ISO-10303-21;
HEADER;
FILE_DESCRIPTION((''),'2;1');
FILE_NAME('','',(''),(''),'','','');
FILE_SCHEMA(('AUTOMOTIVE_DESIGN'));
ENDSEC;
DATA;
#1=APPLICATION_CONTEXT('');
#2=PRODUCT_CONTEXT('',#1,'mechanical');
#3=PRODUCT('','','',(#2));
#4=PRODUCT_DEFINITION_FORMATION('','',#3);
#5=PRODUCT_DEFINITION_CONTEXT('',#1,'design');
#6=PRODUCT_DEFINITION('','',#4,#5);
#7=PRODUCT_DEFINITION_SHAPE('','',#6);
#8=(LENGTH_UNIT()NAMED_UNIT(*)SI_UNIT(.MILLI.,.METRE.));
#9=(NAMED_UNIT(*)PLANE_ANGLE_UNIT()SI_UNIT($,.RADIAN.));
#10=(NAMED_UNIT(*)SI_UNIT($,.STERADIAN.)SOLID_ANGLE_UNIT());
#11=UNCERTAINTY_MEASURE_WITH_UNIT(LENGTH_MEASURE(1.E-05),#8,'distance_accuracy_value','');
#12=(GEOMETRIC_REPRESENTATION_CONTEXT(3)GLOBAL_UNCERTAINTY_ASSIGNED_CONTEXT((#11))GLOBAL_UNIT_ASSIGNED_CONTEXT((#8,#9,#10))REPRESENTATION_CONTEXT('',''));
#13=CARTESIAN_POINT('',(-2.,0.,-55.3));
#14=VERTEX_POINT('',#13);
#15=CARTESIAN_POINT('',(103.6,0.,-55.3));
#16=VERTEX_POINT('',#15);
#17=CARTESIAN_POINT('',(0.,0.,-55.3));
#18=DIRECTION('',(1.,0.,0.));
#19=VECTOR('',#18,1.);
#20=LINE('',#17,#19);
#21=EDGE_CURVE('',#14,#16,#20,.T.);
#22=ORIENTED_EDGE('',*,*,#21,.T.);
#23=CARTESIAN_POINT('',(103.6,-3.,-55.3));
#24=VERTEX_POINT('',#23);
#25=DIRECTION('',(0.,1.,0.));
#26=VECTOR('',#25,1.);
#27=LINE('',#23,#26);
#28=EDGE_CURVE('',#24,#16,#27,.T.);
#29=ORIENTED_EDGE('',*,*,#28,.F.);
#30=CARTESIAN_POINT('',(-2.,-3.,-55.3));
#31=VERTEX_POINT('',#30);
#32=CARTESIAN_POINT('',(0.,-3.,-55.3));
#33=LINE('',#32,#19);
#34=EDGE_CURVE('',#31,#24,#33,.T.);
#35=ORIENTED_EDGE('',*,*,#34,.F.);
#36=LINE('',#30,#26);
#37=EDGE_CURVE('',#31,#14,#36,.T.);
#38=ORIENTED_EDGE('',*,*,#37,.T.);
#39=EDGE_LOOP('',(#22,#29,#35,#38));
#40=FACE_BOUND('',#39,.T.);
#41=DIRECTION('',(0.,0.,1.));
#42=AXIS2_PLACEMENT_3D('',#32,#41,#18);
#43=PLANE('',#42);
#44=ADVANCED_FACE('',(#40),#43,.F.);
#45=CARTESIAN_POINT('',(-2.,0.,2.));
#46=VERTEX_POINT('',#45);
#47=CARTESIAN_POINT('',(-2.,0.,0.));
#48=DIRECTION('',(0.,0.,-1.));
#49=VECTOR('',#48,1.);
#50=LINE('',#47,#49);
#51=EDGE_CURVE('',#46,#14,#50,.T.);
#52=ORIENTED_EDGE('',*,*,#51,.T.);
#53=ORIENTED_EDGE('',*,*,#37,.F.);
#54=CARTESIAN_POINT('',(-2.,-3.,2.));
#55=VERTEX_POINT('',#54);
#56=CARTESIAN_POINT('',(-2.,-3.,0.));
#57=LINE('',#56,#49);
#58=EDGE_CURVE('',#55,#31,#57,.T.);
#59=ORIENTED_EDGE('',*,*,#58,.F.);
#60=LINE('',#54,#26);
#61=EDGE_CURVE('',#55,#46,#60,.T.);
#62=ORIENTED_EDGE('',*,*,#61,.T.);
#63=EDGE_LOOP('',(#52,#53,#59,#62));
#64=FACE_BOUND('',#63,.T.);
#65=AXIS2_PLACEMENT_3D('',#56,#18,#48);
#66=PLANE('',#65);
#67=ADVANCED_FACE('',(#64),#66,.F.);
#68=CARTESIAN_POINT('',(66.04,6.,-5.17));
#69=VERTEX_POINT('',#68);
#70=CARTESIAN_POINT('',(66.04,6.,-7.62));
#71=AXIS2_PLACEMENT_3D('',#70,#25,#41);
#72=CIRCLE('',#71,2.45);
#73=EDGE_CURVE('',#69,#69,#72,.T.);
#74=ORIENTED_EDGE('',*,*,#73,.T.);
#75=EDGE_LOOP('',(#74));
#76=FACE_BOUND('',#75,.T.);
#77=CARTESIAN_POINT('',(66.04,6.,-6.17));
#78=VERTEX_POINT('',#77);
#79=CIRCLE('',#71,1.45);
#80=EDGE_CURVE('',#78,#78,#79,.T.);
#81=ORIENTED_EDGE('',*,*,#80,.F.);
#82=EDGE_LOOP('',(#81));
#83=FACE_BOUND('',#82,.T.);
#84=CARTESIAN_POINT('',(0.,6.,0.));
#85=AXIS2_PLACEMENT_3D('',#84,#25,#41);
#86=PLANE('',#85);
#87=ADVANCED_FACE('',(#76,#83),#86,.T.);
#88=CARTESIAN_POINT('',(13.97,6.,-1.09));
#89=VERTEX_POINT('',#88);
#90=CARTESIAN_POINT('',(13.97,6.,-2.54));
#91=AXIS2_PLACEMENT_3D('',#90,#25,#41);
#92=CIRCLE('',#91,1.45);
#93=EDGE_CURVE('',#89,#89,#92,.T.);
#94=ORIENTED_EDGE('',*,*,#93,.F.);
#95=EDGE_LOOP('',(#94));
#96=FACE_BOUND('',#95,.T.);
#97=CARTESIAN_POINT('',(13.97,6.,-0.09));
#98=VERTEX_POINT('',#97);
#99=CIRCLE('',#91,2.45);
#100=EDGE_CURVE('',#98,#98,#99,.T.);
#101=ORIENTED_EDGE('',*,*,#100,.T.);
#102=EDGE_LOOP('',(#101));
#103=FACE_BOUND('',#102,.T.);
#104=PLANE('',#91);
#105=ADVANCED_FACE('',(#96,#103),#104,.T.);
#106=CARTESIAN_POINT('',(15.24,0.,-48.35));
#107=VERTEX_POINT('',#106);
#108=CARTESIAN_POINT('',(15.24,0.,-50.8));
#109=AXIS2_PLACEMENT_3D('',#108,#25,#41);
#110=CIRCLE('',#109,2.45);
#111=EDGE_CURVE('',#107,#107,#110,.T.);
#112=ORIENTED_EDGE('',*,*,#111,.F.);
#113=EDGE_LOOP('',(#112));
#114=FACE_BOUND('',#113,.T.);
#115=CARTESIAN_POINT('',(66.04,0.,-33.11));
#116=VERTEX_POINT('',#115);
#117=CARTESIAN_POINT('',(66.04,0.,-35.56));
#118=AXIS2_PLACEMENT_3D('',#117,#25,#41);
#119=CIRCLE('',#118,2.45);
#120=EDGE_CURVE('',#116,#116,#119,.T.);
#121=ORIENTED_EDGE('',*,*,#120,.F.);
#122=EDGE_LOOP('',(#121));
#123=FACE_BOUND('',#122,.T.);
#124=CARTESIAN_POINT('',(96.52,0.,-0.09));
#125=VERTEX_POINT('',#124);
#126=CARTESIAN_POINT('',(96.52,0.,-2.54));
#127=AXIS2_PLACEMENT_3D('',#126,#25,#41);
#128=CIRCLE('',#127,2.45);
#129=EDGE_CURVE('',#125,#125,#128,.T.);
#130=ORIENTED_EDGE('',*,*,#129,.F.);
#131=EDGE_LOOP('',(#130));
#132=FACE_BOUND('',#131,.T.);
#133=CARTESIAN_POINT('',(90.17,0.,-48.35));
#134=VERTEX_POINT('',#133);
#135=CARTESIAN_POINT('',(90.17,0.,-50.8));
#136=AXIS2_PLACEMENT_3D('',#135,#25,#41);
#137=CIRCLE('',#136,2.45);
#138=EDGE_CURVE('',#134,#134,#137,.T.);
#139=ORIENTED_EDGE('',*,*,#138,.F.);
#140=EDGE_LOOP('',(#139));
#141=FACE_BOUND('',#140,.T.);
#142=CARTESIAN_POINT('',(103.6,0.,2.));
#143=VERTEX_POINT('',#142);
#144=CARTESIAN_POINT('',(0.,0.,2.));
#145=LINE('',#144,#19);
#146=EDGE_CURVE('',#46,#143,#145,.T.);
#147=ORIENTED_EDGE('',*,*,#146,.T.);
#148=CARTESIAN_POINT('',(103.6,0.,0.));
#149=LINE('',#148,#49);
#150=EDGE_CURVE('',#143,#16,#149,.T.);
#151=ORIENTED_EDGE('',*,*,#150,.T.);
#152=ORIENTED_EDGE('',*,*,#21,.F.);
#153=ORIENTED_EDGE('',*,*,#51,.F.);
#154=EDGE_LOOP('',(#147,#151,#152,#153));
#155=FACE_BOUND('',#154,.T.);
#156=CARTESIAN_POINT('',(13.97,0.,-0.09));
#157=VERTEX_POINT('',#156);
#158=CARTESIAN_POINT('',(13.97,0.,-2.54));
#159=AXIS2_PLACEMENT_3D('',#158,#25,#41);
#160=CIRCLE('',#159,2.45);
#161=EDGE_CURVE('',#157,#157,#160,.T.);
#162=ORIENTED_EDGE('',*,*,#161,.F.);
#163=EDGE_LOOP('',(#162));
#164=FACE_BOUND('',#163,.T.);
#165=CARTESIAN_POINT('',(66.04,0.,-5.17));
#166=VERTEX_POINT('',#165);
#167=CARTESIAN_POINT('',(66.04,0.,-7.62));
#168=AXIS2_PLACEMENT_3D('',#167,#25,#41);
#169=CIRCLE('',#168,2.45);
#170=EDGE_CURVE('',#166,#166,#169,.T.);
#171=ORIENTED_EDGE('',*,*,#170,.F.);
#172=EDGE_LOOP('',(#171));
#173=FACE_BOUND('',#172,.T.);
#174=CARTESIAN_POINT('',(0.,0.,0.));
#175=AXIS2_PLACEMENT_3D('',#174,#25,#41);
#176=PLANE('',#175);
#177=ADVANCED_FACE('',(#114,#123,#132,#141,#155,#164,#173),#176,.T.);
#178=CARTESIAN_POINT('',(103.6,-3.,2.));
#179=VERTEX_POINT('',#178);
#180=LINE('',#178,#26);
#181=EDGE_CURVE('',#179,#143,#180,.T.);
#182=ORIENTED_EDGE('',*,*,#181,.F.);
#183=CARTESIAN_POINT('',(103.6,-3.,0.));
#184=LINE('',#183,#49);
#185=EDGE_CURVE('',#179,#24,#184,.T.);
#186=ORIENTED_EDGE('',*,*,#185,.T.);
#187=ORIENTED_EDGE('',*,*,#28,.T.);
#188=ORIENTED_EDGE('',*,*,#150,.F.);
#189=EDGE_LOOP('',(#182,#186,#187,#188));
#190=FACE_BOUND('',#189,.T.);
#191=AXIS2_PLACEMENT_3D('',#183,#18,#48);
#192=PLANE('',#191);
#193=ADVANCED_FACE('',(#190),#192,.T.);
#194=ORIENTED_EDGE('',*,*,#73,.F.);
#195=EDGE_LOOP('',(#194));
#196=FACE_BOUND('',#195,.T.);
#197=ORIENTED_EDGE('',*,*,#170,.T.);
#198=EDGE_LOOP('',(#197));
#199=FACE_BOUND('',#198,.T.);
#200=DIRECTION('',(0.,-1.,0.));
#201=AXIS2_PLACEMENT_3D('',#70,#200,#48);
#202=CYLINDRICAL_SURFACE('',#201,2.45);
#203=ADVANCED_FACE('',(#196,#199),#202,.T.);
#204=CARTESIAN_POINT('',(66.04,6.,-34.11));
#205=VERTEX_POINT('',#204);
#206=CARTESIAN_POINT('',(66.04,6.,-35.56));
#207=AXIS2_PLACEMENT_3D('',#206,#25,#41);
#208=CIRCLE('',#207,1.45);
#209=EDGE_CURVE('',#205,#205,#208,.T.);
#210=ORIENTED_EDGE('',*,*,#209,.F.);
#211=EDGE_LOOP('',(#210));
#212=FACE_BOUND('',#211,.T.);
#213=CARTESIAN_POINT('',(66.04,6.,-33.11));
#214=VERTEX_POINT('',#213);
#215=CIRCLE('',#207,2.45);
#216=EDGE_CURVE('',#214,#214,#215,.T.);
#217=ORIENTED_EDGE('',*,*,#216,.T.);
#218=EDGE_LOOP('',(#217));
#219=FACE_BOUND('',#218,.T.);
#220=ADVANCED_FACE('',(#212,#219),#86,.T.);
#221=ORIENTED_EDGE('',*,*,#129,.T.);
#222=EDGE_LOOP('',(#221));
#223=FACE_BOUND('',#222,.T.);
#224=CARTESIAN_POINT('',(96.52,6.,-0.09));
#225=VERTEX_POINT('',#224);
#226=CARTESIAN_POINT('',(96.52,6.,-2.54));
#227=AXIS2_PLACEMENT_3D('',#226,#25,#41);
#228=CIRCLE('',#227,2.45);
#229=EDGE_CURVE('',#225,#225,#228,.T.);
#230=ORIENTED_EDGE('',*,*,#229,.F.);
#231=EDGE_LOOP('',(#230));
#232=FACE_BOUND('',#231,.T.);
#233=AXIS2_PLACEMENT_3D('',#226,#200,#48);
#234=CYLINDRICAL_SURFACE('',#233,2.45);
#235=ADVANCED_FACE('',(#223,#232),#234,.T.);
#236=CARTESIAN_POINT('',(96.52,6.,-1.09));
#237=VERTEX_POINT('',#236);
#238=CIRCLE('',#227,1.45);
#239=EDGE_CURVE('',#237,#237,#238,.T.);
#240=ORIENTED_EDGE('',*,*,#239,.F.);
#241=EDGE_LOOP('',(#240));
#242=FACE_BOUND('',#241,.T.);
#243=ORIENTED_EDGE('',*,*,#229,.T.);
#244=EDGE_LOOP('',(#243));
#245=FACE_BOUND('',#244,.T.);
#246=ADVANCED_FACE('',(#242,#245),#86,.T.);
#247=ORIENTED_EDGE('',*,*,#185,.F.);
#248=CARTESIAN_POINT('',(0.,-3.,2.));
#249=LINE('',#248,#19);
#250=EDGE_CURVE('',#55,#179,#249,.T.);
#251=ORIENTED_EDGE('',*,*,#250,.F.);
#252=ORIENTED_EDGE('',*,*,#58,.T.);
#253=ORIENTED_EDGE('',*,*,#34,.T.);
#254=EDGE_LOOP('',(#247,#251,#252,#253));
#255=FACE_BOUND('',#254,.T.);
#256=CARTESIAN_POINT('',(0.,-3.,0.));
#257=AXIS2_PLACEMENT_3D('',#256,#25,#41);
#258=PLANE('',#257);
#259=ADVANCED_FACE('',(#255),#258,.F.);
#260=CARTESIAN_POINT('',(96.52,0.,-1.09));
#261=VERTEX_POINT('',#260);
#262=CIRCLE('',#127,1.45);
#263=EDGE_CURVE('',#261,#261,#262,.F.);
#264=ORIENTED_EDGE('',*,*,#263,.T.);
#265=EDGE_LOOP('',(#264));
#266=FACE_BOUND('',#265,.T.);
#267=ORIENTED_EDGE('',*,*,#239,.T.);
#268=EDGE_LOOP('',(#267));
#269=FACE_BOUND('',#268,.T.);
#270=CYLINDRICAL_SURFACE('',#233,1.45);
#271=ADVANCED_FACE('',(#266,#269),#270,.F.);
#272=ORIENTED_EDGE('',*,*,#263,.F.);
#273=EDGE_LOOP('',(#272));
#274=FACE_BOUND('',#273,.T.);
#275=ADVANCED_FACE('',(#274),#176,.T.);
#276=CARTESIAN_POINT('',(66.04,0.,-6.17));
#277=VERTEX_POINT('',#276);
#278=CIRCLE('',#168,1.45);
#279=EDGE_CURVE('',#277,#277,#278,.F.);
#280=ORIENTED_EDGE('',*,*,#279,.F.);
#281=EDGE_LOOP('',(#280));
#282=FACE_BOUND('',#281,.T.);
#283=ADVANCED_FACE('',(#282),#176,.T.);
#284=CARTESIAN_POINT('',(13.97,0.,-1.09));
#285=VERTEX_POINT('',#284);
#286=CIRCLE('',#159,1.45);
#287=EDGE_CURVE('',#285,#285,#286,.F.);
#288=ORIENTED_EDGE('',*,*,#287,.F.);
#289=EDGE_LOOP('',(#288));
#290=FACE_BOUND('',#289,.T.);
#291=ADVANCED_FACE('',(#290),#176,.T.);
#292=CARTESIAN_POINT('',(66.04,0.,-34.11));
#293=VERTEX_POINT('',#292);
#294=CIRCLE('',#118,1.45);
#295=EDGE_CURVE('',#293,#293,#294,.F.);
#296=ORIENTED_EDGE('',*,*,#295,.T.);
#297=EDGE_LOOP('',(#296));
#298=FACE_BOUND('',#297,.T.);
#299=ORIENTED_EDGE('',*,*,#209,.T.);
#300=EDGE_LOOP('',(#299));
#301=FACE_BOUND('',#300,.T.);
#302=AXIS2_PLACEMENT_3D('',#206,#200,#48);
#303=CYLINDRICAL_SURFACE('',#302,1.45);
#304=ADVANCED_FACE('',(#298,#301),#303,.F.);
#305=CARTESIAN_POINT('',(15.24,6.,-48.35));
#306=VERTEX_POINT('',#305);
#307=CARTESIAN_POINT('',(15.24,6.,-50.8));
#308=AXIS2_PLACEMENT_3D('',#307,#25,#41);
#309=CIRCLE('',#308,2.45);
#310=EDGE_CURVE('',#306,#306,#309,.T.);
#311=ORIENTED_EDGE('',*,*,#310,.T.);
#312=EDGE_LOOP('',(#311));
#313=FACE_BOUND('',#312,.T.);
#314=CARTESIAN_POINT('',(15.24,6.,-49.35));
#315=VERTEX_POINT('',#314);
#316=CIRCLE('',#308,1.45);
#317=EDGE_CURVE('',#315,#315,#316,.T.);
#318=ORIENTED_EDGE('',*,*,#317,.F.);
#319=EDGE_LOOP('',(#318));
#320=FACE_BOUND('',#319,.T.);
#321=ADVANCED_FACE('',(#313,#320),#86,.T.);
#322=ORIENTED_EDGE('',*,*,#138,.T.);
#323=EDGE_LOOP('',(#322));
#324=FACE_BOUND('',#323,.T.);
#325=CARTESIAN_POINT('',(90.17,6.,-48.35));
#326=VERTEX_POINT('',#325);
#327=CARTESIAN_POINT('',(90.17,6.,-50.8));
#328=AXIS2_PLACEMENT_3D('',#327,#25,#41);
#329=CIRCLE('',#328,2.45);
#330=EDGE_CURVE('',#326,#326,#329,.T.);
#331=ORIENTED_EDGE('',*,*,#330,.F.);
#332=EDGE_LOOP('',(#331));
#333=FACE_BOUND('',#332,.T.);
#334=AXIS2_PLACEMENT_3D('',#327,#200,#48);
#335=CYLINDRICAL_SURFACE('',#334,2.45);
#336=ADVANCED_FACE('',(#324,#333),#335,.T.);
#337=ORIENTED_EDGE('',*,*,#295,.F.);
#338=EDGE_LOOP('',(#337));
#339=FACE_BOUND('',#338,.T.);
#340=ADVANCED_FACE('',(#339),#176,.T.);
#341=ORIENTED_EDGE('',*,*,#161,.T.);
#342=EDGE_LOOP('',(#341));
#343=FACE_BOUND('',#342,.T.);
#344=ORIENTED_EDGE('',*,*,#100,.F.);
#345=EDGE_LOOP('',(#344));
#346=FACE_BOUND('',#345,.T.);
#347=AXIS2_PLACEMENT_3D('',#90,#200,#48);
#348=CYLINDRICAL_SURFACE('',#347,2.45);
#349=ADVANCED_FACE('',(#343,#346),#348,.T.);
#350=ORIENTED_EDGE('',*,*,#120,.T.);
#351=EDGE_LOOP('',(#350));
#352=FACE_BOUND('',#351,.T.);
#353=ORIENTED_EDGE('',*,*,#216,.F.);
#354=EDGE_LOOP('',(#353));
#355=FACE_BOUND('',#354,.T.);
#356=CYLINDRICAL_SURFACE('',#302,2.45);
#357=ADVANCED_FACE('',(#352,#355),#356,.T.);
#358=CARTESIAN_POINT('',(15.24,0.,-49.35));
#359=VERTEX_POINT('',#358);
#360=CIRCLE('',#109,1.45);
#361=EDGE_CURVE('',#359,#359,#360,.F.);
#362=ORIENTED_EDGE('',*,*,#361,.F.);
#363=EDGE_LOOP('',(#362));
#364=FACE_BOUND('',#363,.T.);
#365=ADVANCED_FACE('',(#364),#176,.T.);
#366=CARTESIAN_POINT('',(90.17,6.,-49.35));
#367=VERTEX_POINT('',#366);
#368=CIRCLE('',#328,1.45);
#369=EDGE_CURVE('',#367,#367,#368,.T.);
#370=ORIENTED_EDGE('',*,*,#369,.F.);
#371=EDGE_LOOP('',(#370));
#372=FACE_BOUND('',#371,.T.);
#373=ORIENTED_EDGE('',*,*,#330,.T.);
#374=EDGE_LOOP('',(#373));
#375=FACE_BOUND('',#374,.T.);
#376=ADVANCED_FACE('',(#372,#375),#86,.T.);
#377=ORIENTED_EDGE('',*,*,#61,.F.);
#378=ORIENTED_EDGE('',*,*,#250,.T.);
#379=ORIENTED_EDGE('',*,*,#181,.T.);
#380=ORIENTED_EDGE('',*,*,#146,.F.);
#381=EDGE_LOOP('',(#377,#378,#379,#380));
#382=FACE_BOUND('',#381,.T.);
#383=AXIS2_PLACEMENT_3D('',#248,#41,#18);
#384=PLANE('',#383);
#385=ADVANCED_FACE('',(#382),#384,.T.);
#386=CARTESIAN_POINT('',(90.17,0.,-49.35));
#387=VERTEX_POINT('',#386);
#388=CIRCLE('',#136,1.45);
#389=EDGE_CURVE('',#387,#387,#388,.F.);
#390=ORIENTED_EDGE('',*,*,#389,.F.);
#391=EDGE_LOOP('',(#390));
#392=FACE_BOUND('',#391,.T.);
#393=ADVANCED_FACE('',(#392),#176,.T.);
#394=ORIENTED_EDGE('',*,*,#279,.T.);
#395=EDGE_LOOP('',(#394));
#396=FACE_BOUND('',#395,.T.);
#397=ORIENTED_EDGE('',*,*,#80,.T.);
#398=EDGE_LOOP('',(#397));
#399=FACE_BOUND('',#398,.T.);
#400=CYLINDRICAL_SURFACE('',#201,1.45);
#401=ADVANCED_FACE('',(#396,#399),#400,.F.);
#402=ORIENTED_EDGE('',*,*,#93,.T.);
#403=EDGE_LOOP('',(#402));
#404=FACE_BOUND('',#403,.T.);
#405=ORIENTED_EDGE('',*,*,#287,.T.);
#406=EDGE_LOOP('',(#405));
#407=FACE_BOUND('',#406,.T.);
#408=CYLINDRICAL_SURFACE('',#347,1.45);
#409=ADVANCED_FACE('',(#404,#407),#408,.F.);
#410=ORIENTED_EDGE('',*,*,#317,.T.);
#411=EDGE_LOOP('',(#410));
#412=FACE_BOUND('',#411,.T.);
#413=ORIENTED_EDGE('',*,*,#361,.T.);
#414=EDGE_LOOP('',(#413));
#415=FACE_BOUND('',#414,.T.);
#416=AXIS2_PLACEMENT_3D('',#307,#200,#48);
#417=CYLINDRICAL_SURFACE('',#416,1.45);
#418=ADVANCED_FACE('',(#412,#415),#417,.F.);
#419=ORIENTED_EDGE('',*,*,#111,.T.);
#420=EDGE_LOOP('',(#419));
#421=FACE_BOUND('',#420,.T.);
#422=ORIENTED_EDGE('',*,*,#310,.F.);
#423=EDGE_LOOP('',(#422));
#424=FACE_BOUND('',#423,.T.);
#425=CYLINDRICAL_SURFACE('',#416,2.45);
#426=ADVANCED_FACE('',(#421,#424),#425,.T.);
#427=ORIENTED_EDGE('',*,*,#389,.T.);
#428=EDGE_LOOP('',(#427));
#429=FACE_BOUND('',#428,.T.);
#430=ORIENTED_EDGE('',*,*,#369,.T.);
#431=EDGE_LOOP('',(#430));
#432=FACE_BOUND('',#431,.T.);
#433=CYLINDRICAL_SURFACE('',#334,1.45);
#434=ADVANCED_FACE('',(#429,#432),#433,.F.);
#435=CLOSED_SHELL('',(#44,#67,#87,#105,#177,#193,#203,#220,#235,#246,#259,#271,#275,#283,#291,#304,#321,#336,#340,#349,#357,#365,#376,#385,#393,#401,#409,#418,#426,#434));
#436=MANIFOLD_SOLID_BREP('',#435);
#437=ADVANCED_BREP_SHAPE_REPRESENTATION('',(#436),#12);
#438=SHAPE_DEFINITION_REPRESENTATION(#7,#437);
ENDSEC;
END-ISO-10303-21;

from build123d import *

# Parameters (mm, degrees)
SKETCH1_W           = 105.6
SKETCH1_H           = 57.3
BOSS_EXTRUDE1_DEPTH = 3
SKETCH1_4_R         = 2.45
SKETCH1_4_R_2       = 1.45
BOSS_EXTRUDE2_DEPTH = 6


with BuildPart() as part:
    # Sketch1 → Boss-Extrude1 (new body)
    with BuildSketch(Plane(origin=(0, 0, 0), x_dir=(1, 0, 0), z_dir=(0, 1, 0))):
        with Locations((50.8, 26.65)):
            Rectangle(SKETCH1_W, SKETCH1_H)
    extrude(amount=-BOSS_EXTRUDE1_DEPTH)

    # Sketch1_4 → Boss-Extrude2 (add)
    with BuildSketch(Plane(origin=(0, 0, 0), x_dir=(1, 0, 0), z_dir=(0, 1, 0))):
        with Locations(Location((13.97, 2.54, 0), (0, 0, 270))):  # turned: the seam where the file's is
            Circle(SKETCH1_4_R)
        with Locations(Location((13.97, 2.54, 0), (0, 0, 270))):  # turned: the seam where the file's is
            Circle(SKETCH1_4_R_2, mode=Mode.SUBTRACT)
        with Locations(Location((15.24, 50.8, 0), (0, 0, 270))):  # turned: the seam where the file's is
            Circle(SKETCH1_4_R)
        with Locations(Location((15.24, 50.8, 0), (0, 0, 270))):  # turned: the seam where the file's is
            Circle(SKETCH1_4_R_2, mode=Mode.SUBTRACT)
        with Locations(Location((66.04, 35.56, 0), (0, 0, 270))):  # turned: the seam where the file's is
            Circle(SKETCH1_4_R)
        with Locations(Location((66.04, 35.56, 0), (0, 0, 270))):  # turned: the seam where the file's is
            Circle(SKETCH1_4_R_2, mode=Mode.SUBTRACT)
        with Locations(Location((66.04, 7.62, 0), (0, 0, 270))):  # turned: the seam where the file's is
            Circle(SKETCH1_4_R)
        with Locations(Location((66.04, 7.62, 0), (0, 0, 270))):  # turned: the seam where the file's is
            Circle(SKETCH1_4_R_2, mode=Mode.SUBTRACT)
        with Locations(Location((96.52, 2.54, 0), (0, 0, 270))):  # turned: the seam where the file's is
            Circle(SKETCH1_4_R)
        with Locations(Location((96.52, 2.54, 0), (0, 0, 270))):  # turned: the seam where the file's is
            Circle(SKETCH1_4_R_2, mode=Mode.SUBTRACT)
        with Locations(Location((90.17, 50.8, 0), (0, 0, 270))):  # turned: the seam where the file's is
            Circle(SKETCH1_4_R)
        with Locations(Location((90.17, 50.8, 0), (0, 0, 270))):  # turned: the seam where the file's is
            Circle(SKETCH1_4_R_2, mode=Mode.SUBTRACT)
    extrude(amount=BOSS_EXTRUDE2_DEPTH)


solid = part.part
